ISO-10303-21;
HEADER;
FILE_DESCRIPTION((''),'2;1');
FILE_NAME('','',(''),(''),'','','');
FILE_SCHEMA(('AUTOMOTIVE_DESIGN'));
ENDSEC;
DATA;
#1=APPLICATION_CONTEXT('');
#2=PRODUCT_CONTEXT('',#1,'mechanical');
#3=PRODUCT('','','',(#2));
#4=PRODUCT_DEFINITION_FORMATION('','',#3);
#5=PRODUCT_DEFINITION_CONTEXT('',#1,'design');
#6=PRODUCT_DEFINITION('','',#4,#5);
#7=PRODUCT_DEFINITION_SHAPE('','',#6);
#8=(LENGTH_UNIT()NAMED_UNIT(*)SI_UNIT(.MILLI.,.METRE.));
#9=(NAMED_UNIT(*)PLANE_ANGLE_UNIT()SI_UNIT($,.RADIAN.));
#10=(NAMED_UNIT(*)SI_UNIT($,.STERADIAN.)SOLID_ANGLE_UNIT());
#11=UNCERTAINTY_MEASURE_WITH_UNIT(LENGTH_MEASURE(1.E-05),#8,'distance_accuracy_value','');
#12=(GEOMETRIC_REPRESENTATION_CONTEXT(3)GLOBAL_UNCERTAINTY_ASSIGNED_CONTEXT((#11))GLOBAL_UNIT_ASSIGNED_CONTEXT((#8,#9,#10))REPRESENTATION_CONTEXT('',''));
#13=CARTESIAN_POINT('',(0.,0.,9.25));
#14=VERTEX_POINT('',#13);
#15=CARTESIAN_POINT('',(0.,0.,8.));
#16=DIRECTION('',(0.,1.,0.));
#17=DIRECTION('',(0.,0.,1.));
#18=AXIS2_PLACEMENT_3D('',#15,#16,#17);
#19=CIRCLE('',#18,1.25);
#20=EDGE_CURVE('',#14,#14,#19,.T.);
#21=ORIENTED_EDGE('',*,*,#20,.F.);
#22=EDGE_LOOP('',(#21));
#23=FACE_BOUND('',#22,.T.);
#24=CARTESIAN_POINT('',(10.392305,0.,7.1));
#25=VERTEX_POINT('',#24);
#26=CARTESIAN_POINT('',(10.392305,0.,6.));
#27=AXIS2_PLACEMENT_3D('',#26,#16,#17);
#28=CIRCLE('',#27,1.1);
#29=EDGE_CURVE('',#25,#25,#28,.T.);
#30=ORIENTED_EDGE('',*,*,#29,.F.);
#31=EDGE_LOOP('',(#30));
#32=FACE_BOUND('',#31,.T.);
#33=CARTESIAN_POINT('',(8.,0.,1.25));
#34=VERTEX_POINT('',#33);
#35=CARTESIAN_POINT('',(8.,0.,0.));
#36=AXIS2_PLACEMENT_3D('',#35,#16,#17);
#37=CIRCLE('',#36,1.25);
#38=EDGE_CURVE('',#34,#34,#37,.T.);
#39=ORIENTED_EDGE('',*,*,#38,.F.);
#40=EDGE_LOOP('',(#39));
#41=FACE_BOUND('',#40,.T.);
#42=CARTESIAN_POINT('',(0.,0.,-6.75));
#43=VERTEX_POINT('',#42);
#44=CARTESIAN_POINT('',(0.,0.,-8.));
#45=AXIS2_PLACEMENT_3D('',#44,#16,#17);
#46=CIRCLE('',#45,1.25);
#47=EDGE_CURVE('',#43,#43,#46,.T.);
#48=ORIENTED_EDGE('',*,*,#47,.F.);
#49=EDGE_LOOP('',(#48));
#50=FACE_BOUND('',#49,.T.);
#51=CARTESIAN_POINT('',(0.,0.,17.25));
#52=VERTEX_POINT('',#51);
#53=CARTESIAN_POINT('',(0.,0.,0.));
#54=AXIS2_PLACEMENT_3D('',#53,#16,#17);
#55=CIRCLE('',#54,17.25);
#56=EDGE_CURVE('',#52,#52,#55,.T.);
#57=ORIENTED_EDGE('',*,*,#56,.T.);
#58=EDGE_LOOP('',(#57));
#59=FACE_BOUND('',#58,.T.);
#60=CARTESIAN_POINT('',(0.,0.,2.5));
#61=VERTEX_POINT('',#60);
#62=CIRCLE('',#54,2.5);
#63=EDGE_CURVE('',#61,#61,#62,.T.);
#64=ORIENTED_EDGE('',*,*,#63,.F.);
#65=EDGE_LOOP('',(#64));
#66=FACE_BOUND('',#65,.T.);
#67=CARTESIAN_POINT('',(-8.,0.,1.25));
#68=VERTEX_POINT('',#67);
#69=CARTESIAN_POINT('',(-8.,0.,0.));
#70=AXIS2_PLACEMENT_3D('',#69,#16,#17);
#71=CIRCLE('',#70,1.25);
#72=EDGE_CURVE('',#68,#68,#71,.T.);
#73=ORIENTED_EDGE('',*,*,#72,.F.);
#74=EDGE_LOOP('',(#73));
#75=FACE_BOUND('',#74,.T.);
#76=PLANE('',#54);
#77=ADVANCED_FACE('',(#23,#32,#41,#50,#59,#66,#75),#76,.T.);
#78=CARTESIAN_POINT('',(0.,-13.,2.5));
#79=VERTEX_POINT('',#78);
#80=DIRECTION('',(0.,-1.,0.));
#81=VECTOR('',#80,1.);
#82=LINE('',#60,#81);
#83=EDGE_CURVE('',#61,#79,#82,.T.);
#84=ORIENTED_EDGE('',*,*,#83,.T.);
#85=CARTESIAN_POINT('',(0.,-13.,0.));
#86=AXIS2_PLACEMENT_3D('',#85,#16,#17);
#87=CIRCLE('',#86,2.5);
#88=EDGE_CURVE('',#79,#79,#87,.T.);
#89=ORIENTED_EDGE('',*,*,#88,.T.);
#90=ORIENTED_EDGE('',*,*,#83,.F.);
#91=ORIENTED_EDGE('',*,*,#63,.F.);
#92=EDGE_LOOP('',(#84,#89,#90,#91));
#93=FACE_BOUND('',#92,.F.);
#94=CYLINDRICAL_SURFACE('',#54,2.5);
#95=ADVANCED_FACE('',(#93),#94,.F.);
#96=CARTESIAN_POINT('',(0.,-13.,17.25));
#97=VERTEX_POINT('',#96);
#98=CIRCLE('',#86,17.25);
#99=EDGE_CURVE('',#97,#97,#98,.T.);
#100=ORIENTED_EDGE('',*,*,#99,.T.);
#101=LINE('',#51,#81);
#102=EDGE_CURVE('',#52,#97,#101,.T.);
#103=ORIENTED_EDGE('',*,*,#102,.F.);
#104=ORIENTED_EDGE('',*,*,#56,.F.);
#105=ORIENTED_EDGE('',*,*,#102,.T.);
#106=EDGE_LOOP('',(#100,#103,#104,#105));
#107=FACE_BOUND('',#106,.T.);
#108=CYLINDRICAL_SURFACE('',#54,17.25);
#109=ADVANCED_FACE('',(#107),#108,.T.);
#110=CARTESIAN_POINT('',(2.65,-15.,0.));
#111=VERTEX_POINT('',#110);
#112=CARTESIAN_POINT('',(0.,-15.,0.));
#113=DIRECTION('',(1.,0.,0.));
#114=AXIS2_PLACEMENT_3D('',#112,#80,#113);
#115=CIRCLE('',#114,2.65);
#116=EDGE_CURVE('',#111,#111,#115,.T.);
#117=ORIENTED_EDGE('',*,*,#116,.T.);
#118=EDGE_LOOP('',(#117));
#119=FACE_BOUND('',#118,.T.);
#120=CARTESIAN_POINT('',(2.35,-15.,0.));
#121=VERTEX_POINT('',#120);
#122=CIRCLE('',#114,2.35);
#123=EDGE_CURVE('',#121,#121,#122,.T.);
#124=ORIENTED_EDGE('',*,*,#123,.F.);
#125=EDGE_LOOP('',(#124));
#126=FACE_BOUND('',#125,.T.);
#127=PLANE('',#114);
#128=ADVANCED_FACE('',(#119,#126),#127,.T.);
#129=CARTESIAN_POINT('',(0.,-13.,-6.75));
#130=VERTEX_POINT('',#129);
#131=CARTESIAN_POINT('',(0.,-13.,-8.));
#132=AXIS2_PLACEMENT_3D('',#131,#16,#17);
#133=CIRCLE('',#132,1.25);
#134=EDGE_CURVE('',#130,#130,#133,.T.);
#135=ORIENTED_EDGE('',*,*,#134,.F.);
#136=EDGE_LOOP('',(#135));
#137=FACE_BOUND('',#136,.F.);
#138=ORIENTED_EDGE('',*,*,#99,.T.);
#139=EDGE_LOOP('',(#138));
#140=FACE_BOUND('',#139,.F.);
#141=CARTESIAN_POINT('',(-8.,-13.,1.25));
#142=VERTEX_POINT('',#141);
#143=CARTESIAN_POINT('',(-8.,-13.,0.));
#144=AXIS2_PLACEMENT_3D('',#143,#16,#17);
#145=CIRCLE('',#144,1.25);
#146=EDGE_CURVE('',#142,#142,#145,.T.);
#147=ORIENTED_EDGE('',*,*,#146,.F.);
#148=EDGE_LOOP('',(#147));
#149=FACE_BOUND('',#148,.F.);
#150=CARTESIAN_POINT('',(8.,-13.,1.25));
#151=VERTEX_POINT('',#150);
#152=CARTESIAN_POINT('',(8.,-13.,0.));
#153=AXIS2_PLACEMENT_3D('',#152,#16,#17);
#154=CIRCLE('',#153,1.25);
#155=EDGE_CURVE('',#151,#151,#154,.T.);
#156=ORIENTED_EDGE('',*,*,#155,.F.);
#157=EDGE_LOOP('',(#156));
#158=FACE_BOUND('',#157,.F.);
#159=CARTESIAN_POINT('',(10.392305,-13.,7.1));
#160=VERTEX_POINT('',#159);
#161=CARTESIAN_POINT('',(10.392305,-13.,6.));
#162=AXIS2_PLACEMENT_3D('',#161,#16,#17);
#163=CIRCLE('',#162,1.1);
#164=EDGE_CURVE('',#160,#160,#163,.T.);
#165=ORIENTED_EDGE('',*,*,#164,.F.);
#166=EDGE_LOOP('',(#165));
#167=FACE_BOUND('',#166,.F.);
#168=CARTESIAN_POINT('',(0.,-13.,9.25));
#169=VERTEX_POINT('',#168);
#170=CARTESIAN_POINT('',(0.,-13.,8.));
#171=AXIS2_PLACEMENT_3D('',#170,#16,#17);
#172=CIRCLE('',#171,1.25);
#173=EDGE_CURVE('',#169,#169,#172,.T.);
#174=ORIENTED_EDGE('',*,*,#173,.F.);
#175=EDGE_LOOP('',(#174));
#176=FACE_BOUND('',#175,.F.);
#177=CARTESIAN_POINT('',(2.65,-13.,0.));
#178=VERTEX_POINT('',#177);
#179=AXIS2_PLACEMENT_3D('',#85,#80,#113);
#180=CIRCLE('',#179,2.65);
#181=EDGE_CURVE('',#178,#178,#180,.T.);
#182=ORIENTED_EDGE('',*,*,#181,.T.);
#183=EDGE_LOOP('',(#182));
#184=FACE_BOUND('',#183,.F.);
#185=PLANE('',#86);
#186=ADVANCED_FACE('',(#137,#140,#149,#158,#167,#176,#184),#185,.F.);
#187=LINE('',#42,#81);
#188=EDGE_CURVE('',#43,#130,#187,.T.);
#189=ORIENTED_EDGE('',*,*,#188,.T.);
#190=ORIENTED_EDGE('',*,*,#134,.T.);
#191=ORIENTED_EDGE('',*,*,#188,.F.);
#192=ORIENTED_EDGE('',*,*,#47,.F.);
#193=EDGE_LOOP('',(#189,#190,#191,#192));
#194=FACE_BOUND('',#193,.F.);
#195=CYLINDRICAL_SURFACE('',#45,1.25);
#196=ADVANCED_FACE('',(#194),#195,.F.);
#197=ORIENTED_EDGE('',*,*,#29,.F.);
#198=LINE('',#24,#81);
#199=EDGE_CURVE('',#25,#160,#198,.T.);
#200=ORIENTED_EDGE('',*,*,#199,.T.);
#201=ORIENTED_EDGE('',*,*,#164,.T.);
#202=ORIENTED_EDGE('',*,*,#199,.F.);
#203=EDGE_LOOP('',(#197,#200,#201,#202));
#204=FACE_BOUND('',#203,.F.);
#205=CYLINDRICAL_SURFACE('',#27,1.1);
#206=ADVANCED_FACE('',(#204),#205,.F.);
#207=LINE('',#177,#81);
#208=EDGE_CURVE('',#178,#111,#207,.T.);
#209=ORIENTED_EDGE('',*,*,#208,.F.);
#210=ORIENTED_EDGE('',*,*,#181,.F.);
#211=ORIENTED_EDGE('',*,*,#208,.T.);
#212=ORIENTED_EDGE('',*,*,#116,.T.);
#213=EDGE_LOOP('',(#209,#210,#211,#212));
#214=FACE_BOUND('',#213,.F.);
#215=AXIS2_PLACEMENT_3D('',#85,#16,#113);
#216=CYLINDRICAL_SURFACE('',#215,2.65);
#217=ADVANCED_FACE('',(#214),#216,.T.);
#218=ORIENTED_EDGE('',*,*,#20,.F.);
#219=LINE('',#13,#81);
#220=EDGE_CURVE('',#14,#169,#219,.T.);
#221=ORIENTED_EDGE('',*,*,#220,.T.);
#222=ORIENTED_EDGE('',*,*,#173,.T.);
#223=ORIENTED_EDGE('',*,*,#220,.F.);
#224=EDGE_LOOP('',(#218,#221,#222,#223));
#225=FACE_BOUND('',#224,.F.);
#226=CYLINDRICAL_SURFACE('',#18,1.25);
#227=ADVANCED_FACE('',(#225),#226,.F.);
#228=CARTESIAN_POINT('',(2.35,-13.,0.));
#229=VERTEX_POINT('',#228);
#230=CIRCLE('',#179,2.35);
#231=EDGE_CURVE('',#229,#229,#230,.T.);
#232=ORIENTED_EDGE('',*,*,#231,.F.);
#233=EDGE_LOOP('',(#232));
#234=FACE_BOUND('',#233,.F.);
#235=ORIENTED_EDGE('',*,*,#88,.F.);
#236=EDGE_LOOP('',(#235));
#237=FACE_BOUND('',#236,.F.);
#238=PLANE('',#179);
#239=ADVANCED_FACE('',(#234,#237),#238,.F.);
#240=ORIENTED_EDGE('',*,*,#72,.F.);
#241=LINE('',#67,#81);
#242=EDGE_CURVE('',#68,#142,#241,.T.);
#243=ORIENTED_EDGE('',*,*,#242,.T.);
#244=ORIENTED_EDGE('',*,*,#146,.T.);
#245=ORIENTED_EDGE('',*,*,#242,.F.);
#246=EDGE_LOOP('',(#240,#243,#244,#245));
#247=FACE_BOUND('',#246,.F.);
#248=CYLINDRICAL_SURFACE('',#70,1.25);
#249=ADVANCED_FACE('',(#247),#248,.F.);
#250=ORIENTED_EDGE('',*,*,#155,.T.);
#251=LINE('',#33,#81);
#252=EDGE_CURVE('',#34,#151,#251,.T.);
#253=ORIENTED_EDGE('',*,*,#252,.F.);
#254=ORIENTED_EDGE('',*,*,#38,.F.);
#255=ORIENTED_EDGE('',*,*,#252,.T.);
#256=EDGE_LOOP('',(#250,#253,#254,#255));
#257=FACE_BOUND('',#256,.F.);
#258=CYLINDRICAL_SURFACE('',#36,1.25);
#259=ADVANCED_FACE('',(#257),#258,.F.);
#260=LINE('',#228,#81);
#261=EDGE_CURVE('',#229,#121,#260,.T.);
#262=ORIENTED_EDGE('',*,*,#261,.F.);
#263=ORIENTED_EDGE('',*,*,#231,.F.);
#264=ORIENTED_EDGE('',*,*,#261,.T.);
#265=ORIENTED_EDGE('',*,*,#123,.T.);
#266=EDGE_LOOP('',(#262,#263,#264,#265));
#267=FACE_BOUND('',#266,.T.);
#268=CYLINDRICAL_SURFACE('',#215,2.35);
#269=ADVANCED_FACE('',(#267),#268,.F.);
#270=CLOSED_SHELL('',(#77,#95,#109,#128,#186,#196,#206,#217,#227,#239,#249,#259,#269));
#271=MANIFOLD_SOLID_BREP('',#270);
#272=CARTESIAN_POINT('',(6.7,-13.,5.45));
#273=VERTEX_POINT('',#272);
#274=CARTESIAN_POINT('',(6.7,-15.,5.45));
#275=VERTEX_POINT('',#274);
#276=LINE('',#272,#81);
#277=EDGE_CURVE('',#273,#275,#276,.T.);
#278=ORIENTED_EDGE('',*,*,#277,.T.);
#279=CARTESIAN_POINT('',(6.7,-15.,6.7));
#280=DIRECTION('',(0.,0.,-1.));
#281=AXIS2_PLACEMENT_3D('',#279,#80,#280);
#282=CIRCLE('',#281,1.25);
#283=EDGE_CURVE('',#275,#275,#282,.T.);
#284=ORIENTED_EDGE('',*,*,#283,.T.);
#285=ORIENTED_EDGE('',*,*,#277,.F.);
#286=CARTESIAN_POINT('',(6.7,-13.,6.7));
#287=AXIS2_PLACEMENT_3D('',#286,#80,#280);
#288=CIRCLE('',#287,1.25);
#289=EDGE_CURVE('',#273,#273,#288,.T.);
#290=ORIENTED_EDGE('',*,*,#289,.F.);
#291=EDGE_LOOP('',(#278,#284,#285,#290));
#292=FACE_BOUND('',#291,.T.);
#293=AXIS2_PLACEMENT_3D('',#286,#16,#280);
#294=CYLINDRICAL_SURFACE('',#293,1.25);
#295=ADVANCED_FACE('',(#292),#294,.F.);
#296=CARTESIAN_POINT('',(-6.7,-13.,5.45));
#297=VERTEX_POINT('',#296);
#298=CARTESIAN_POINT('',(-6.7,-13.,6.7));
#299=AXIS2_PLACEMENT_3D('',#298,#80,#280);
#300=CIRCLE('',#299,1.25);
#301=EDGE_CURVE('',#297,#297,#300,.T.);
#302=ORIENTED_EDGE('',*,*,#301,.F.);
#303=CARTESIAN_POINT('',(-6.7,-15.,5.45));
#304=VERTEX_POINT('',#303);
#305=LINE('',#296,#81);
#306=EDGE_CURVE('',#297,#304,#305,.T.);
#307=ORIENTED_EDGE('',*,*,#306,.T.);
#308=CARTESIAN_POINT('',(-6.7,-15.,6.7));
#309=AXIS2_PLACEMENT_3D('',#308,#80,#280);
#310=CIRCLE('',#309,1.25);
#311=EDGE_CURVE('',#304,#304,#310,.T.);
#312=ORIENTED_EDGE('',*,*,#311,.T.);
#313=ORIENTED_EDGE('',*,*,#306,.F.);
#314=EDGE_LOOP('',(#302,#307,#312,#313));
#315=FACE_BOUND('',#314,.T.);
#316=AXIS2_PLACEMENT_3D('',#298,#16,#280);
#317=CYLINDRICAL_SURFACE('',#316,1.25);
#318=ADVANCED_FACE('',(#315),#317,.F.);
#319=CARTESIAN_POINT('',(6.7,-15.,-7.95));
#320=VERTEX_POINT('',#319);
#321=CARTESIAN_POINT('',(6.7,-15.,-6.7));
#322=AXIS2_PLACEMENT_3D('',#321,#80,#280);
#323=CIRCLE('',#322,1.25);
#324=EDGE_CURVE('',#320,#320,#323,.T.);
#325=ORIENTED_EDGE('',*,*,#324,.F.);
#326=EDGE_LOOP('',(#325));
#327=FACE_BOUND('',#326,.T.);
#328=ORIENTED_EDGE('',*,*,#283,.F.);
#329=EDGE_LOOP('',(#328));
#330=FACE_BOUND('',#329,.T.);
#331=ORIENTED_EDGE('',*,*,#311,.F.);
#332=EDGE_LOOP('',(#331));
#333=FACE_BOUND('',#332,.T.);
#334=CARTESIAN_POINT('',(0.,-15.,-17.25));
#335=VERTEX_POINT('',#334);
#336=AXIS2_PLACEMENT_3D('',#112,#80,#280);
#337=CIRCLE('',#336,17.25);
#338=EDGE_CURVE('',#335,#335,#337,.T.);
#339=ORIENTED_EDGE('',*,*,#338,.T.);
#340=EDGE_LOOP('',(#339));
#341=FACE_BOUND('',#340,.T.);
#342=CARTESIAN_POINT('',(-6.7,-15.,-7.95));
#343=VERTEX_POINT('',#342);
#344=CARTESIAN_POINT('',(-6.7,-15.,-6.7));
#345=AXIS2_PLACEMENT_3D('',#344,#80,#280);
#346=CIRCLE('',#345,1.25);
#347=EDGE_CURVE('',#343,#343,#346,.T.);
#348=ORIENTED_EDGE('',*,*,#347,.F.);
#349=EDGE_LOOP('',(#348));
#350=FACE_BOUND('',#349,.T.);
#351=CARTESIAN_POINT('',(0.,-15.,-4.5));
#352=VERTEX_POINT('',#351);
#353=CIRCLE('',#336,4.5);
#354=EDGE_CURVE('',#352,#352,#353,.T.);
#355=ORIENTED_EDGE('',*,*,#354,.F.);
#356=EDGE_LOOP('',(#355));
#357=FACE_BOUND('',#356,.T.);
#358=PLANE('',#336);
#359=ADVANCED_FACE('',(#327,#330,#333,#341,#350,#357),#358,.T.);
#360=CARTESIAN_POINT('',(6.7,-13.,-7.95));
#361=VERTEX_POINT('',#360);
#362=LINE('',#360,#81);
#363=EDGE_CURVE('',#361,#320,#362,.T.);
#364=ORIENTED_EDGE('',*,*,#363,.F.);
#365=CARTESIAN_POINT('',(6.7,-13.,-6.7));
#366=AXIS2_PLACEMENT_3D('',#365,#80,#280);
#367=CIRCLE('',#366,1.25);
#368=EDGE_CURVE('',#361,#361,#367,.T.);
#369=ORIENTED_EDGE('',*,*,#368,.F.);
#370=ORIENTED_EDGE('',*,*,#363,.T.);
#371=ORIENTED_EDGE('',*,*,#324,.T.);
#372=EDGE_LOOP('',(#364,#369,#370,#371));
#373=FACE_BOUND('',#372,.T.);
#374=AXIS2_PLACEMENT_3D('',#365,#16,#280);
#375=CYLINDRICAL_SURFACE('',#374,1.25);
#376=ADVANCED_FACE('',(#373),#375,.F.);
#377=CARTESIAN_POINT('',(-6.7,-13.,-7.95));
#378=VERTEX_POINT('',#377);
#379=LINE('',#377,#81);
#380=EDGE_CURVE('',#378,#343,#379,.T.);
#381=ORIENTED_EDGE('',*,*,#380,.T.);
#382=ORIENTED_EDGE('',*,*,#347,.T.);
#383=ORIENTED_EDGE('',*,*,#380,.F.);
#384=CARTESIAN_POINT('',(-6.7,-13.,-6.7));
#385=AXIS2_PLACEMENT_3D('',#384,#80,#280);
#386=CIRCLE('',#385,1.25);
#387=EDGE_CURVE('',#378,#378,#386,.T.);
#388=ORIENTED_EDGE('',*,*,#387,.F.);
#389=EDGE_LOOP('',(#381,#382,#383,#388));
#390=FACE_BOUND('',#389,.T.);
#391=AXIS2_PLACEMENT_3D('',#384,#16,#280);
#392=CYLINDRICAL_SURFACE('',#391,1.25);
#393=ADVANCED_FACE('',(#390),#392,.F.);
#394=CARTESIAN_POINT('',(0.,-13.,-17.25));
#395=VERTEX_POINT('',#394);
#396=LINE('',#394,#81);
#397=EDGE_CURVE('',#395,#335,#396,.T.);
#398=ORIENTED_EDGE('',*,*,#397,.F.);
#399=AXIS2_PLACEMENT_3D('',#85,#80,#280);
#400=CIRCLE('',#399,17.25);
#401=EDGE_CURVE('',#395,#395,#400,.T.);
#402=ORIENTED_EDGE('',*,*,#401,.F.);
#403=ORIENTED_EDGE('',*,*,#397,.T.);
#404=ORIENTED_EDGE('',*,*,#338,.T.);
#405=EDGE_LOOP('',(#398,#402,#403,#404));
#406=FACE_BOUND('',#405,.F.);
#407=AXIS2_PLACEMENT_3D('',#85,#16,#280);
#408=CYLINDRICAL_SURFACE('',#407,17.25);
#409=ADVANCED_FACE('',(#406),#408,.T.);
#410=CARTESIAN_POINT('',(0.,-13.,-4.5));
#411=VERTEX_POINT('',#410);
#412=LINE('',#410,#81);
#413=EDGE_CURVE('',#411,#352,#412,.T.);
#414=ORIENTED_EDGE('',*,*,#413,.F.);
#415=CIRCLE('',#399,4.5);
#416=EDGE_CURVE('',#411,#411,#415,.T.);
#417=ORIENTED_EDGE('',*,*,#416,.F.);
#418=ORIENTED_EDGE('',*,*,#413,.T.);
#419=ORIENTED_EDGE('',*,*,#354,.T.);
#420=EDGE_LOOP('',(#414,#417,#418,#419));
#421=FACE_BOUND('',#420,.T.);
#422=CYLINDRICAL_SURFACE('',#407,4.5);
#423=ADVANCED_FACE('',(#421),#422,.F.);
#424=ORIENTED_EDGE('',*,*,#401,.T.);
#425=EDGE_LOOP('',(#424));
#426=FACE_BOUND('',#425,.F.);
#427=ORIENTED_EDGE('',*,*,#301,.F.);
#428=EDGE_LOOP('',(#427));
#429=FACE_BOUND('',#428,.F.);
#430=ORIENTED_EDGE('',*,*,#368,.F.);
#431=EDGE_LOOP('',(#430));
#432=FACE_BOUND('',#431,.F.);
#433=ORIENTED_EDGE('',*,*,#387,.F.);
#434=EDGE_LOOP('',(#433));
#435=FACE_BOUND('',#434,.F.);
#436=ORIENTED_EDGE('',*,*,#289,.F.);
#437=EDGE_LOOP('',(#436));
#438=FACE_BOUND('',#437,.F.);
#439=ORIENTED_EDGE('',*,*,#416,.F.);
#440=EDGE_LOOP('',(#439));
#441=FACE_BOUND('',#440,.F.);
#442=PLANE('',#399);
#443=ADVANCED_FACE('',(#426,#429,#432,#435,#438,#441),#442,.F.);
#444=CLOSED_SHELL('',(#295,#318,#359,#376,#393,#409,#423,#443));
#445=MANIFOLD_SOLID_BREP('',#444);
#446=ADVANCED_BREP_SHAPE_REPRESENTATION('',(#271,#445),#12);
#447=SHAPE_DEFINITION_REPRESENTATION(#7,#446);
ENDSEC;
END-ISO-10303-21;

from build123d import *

# Parameters (mm, degrees)
SKETCH_1_R        = 17.25
SKETCH_1_R_2      = 2.5
SKETCH_1_R_3      = 1.25
SKETCH_1_R_4      = 1.1
EXTRUDE_1_DEPTH   = 13
SKETCH_2_R        = 17.25
SKETCH_2_R_2      = 1.25
SKETCH_2_R_3      = 4.5
EXTRUDE_3_DEPTH   = 2
SKETCH_3_R        = 2.65
SKETCH_3_R_2      = 2.35
EXTRUDE_1_2_DEPTH = 2


with BuildPart() as part:
    # 草图1 → Extrude 1 (new body)
    with BuildSketch(Plane(origin=(0, 0, 0), x_dir=(1, 0, 0), z_dir=(0, 1, 0))):
        with Locations(Location((0, 0, 0), (0, 0, 270))):
            Circle(SKETCH_1_R)
        with Locations(Location((0, 0, 0), (0, 0, 270))):
            Circle(SKETCH_1_R_2, mode=Mode.SUBTRACT)
        with Locations(Location((8, 0, 0), (0, 0, 270))):
            Circle(SKETCH_1_R_3, mode=Mode.SUBTRACT)
        with Locations(Location((0, -8, 0), (0, 0, 270))):
            Circle(SKETCH_1_R_3, mode=Mode.SUBTRACT)
        with Locations(Location((-8, 0, 0), (0, 0, 270))):
            Circle(SKETCH_1_R_3, mode=Mode.SUBTRACT)
        with Locations(Location((0, 8, 0), (0, 0, 270))):
            Circle(SKETCH_1_R_3, mode=Mode.SUBTRACT)
        with Locations(Location((10.392304845, -6, 0), (0, 0, 270))):
            Circle(SKETCH_1_R_4, mode=Mode.SUBTRACT)
    extrude(amount=-EXTRUDE_1_DEPTH)

    # 草图3 → Extrude 1 2 (add)
    with BuildSketch(Plane.XZ.offset(13)):
        Circle(SKETCH_3_R)
        Circle(SKETCH_3_R_2, mode=Mode.SUBTRACT)
    extrude(amount=EXTRUDE_1_2_DEPTH)


with BuildPart() as body_2:
    # 草图2 → 凸台-拉伸3 (new body)
    with BuildSketch(Plane.XZ.offset(13)):
        with Locations(Location((0, 0, 0), (0, 0, 270))):
            Circle(SKETCH_2_R)
        with Locations(Location((6.7, 6.7, 0), (0, 0, 270))):
            Circle(SKETCH_2_R_2, mode=Mode.SUBTRACT)
        with Locations(Location((6.7, -6.7, 0), (0, 0, 270))):
            Circle(SKETCH_2_R_2, mode=Mode.SUBTRACT)
        with Locations(Location((-6.7, -6.7, 0), (0, 0, 270))):
            Circle(SKETCH_2_R_2, mode=Mode.SUBTRACT)
        with Locations(Location((-6.7, 6.7, 0), (0, 0, 270))):
            Circle(SKETCH_2_R_2, mode=Mode.SUBTRACT)
        with Locations(Location((0, 0, 0), (0, 0, 270))):
            Circle(SKETCH_2_R_3, mode=Mode.SUBTRACT)
    extrude(amount=EXTRUDE_3_DEPTH)


solid = Compound([part.part, body_2.part])
